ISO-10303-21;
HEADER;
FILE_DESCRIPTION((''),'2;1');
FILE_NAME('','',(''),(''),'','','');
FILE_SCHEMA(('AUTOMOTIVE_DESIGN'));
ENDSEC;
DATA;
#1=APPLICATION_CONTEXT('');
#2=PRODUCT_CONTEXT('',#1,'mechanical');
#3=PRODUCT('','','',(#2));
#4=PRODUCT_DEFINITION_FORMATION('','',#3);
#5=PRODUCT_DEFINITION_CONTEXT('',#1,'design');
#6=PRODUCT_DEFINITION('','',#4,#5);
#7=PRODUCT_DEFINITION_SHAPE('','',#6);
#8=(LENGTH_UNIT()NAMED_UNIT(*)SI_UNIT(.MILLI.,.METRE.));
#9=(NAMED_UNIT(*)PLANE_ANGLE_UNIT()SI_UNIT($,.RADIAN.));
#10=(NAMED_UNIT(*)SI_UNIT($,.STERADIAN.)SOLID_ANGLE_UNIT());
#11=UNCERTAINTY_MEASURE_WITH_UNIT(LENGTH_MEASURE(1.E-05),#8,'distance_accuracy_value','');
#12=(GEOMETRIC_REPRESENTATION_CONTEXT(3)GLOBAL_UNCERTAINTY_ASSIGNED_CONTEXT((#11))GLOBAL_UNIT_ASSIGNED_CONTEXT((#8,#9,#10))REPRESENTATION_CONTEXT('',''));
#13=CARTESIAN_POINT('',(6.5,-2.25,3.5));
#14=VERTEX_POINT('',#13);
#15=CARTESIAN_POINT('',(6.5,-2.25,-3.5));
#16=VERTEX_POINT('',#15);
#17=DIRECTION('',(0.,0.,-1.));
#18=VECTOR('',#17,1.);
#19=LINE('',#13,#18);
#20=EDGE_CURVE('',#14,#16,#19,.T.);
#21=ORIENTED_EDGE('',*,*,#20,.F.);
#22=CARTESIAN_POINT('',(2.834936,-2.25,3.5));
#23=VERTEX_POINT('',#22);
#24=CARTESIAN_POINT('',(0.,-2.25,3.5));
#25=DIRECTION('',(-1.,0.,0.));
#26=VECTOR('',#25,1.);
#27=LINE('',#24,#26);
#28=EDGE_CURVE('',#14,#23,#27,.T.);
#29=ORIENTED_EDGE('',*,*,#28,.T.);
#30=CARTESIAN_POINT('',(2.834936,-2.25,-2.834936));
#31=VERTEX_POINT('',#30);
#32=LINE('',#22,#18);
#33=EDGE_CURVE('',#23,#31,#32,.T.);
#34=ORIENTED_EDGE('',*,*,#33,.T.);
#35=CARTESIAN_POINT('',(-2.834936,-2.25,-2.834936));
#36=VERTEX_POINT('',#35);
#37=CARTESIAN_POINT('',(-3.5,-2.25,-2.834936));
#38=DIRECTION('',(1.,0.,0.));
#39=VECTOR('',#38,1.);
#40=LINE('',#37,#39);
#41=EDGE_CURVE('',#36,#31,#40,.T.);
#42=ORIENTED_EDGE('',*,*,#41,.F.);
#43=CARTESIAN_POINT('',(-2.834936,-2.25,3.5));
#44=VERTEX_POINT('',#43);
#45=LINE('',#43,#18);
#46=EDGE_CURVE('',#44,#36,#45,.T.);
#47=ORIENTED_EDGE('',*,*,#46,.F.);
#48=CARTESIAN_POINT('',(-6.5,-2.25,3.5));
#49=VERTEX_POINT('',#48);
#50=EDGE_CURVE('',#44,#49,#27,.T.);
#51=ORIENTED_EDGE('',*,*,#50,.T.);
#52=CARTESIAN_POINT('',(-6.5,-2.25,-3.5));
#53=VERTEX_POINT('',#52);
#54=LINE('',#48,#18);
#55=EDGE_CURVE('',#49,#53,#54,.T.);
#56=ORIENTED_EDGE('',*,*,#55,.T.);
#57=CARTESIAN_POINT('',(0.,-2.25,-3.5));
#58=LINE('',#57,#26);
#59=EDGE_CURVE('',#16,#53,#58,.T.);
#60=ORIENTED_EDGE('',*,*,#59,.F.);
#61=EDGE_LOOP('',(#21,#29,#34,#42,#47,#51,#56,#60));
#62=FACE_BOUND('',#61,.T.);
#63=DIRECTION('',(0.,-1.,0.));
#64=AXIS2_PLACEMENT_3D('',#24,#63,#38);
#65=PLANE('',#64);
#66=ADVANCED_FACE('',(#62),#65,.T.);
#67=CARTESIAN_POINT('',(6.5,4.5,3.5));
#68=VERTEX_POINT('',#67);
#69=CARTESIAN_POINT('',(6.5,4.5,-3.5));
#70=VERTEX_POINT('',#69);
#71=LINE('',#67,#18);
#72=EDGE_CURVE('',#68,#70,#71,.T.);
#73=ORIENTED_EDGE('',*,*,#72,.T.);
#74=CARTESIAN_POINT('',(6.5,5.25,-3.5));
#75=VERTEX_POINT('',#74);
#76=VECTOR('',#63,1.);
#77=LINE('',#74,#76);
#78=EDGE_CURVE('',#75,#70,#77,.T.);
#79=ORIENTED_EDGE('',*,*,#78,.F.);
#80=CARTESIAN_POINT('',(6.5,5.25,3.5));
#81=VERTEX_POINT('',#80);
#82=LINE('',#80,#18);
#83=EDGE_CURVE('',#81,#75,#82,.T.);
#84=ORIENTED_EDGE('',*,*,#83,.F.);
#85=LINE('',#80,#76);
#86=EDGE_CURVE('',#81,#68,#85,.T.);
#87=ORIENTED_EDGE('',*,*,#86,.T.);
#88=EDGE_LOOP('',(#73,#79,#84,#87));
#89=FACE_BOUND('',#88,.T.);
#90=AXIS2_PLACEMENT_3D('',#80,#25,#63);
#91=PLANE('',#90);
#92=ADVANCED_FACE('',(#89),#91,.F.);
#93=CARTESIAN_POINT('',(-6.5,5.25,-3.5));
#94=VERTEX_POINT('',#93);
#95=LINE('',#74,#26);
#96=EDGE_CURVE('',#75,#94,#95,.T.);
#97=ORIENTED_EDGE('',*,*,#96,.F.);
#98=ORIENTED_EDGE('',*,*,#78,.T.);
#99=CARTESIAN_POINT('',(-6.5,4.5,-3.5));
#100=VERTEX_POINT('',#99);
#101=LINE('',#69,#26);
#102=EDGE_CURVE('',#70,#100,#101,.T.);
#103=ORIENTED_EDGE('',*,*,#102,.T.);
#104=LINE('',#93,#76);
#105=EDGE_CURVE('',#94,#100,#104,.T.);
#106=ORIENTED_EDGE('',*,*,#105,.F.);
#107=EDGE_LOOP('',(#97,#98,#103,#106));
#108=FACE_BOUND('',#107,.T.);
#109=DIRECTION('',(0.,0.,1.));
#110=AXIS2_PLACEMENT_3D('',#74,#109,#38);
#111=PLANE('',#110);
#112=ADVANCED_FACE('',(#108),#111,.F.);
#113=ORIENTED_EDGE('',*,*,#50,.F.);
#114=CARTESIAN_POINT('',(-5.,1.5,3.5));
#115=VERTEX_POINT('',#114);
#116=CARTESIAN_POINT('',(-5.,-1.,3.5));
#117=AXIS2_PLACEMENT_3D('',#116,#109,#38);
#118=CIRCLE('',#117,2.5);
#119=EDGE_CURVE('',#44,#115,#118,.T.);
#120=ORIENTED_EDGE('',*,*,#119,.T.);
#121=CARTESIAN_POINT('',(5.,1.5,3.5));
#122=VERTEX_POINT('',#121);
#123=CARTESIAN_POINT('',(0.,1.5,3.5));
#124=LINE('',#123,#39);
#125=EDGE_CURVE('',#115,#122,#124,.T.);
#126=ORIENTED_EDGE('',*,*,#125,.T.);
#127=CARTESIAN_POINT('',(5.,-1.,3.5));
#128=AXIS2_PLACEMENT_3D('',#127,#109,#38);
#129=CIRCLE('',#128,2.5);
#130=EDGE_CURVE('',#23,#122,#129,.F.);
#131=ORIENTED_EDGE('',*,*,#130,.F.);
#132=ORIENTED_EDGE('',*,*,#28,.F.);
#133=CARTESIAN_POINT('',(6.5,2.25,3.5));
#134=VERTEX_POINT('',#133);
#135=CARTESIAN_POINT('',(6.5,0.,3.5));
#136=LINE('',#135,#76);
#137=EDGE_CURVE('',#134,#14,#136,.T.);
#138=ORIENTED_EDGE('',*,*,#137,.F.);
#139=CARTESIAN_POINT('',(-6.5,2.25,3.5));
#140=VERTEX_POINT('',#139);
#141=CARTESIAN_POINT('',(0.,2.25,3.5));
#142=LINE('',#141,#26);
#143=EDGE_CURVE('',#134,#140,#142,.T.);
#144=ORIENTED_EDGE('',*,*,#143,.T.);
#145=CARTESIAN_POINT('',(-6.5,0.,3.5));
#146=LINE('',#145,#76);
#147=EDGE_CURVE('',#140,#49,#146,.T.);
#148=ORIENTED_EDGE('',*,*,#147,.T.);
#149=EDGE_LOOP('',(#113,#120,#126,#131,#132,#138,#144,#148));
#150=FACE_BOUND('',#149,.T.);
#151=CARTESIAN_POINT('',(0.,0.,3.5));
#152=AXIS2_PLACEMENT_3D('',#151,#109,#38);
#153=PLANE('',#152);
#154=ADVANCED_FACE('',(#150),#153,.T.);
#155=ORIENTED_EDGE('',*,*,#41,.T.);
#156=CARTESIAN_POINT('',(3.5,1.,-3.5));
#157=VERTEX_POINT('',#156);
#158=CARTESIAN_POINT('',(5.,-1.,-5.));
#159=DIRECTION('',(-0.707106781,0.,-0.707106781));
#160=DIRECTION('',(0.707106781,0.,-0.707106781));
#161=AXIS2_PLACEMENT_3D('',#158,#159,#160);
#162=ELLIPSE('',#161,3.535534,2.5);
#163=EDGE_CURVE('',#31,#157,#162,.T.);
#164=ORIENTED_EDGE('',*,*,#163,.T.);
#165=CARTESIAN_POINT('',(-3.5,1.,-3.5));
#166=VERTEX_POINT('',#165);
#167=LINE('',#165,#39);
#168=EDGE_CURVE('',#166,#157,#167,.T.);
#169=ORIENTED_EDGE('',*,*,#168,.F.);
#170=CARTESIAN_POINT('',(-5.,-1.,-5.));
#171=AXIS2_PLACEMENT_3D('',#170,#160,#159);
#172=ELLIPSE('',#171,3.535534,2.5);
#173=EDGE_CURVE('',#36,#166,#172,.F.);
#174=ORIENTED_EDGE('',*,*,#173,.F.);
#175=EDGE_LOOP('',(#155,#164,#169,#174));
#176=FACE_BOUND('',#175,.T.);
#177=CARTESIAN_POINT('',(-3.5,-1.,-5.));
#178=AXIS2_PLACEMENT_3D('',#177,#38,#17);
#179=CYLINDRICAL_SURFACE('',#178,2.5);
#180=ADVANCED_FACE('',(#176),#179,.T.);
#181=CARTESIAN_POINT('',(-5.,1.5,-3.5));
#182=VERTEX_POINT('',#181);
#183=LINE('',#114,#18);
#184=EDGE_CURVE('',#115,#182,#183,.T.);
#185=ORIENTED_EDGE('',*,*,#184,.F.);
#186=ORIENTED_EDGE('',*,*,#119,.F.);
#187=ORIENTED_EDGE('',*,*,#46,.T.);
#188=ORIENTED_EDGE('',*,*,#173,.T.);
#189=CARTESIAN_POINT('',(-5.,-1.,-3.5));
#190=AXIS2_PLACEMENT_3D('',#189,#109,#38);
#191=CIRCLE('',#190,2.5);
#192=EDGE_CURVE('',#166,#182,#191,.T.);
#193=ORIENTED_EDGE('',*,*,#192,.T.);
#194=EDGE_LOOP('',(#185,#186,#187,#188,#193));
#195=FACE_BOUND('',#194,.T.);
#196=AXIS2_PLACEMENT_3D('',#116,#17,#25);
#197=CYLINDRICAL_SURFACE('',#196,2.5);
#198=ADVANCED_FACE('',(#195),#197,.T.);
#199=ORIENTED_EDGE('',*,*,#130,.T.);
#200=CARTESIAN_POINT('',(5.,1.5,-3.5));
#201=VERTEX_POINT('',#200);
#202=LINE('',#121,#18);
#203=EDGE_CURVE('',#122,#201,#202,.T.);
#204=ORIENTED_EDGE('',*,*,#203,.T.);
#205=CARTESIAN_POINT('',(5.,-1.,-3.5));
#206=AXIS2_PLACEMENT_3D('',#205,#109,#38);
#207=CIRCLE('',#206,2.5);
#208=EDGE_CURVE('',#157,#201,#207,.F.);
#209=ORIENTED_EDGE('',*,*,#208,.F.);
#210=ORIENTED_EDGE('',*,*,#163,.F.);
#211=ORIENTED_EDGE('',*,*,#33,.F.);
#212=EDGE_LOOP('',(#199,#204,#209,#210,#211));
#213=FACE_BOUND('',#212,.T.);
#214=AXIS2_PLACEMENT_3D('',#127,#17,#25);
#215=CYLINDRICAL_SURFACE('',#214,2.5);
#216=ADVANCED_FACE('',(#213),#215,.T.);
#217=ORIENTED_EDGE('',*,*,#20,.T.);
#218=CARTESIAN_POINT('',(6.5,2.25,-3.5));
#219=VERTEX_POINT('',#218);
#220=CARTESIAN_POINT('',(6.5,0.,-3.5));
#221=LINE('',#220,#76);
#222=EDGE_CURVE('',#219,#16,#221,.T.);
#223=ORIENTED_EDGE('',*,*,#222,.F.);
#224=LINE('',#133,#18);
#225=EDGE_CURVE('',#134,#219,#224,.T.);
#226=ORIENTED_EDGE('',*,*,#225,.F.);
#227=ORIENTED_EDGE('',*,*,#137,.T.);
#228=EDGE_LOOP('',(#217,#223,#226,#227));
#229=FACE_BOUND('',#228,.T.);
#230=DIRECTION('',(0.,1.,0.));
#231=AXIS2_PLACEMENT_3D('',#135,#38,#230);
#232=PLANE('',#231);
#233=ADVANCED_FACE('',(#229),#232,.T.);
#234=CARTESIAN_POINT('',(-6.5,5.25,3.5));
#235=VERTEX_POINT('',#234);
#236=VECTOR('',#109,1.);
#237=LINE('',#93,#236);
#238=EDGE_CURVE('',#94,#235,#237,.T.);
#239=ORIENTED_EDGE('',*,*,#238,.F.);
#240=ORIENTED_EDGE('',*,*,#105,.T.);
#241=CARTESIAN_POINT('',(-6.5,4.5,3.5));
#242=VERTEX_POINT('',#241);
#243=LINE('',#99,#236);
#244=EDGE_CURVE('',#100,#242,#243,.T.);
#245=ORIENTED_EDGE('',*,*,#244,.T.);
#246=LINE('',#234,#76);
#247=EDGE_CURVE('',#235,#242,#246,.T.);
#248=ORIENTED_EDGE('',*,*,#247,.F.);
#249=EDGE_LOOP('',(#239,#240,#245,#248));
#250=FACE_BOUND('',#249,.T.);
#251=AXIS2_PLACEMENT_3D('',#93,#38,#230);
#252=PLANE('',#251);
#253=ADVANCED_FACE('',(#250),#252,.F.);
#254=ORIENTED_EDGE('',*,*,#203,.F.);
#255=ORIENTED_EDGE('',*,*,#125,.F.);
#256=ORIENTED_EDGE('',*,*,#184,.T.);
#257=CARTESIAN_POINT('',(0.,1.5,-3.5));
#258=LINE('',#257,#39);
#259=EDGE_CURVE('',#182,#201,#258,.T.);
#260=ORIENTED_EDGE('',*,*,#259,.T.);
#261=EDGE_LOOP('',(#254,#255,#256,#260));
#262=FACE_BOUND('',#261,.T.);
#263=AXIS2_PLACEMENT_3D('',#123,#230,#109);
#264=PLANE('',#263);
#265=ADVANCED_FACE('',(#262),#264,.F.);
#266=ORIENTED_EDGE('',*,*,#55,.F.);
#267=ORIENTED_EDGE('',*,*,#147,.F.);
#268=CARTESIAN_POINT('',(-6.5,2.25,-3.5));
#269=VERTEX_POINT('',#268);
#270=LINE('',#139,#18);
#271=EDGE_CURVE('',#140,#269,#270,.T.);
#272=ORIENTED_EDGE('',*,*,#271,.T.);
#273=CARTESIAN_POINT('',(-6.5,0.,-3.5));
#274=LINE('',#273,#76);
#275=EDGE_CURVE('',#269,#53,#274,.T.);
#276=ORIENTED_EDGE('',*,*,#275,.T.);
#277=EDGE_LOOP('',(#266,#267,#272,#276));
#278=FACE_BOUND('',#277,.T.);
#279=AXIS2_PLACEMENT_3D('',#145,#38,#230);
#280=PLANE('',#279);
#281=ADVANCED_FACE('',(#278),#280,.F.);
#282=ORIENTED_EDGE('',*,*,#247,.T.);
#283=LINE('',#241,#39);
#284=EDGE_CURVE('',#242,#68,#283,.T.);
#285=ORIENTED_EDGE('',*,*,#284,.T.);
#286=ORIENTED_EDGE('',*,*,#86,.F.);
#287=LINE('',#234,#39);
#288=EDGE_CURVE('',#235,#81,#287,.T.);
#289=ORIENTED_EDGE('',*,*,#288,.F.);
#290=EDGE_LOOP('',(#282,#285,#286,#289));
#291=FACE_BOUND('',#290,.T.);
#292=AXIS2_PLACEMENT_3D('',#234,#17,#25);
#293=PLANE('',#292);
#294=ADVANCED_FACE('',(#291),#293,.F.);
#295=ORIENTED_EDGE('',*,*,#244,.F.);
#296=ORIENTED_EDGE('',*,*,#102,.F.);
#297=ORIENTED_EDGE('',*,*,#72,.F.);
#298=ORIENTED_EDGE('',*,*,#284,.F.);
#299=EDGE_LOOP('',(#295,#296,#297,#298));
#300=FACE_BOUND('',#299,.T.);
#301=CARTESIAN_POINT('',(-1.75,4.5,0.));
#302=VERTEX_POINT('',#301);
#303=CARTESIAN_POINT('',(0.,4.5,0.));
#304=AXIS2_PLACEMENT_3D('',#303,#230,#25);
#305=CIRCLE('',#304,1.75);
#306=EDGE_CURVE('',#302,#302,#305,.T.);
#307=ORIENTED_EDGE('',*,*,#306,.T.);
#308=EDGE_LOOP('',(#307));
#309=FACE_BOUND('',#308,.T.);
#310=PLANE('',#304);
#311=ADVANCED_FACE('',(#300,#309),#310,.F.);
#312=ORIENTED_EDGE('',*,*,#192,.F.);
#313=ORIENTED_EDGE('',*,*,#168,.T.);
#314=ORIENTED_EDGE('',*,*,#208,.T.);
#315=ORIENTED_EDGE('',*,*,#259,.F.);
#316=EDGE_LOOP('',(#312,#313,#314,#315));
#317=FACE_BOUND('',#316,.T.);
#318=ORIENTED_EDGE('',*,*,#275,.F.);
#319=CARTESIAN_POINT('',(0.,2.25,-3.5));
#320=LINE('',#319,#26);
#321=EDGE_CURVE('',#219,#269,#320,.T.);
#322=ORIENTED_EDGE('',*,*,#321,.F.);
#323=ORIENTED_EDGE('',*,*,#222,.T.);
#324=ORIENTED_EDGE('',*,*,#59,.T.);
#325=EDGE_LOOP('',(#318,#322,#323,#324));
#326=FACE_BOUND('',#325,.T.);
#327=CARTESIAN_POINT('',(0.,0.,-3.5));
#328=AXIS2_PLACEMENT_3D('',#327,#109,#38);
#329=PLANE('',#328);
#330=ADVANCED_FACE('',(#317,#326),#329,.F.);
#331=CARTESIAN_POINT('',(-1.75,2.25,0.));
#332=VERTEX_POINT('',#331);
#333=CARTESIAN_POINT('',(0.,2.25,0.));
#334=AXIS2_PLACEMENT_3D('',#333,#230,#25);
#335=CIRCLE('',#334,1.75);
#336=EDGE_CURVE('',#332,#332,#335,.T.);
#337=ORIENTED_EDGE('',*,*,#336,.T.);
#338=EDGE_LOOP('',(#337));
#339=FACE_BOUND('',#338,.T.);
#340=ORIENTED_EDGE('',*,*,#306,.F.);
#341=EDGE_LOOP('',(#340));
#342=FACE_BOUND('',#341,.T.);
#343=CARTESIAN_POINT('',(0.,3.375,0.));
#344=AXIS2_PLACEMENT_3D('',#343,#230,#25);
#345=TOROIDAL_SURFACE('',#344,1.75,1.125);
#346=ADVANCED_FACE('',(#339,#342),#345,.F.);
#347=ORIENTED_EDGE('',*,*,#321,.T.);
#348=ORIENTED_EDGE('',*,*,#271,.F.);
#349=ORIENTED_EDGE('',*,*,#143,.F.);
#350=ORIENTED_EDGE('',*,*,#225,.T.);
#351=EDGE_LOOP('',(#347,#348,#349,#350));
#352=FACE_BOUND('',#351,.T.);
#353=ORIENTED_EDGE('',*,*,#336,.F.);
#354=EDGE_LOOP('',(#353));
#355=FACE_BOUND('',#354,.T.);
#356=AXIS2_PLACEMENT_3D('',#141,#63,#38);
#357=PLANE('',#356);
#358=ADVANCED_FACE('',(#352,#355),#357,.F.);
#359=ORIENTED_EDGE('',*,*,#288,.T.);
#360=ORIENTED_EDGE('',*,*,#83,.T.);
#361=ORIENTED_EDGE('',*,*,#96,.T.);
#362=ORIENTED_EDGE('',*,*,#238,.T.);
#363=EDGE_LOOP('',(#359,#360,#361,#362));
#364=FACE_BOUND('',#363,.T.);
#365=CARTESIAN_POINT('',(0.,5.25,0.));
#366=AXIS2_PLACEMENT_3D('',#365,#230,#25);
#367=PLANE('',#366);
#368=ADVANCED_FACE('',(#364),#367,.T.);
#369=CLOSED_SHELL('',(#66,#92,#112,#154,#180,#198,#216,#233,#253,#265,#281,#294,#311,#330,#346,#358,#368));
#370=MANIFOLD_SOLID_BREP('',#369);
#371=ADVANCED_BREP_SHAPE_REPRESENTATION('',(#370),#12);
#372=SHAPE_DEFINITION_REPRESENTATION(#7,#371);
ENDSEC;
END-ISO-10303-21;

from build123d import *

# Parameters (mm, degrees)
BOSS_EXTRUDE1_DEPTH = 3.5
BOSS_EXTRUDE2_DEPTH = 3.5
SKETCH4_W           = 13
SKETCH4_H           = 7
BOSS_EXTRUDE3_DEPTH = 0.75


with BuildPart() as part:
    # Sketch1 → Boss-Extrude1 (new body, symmetric)
    with BuildSketch(Plane.XY):
        with BuildLine():
            ThreePointArc((-2.834936491, -2.25), (-2.834936491, 0.25), (-5, 1.5))
            Line((-5, 1.5), (5, 1.5))
            ThreePointArc((5, 1.5), (2.834936491, 0.25), (2.834936491, -2.25))
            Line((2.834936491, -2.25), (6.5, -2.25))
            Line((6.5, -2.25), (6.5, 2.25))
            Line((6.5, 2.25), (-6.5, 2.25))
            Line((-6.5, 2.25), (-6.5, -2.25))
            Line((-6.5, -2.25), (-2.834936491, -2.25))
        make_face()
    extrude(amount=BOSS_EXTRUDE1_DEPTH, both=True)

    # Sketch2 → Boss-Extrude2 (add, symmetric)
    with BuildSketch(Plane(origin=(0, 0, 0), x_dir=(0, 0, -1), z_dir=(1, 0, 0))):
        with BuildLine():
            Line((3.5, -2.25), (3.5, 1))
            ThreePointArc((3.5, 1), (2.550755702, -0.498799074), (2.834936491, -2.25))
            Line((2.834936491, -2.25), (3.5, -2.25))
        make_face()
    extrude(amount=BOSS_EXTRUDE2_DEPTH, both=True)

    # Sketch3 → Revolve1 (revolve)
    with BuildSketch(Plane.XY):
        with BuildLine():
            Line((0, 4.5), (-1.75, 4.5))
            ThreePointArc((-1.75, 4.5), (-0.625, 3.375), (-1.75, 2.25))
            Line((-1.75, 2.25), (0, 2.25))
            Line((0, 2.25), (0, 4.5))
        make_face()
    revolve(axis=Axis((0, 5.875, 0), (0, -1, 0)))

    # Sketch4 → Boss-Extrude3 (add)
    with BuildSketch(Plane(origin=(0, 4.5, 0), x_dir=(1, 0, 0), z_dir=(0, 1, 0))):
        Rectangle(SKETCH4_W, SKETCH4_H)
    extrude(amount=BOSS_EXTRUDE3_DEPTH)


solid = part.part
